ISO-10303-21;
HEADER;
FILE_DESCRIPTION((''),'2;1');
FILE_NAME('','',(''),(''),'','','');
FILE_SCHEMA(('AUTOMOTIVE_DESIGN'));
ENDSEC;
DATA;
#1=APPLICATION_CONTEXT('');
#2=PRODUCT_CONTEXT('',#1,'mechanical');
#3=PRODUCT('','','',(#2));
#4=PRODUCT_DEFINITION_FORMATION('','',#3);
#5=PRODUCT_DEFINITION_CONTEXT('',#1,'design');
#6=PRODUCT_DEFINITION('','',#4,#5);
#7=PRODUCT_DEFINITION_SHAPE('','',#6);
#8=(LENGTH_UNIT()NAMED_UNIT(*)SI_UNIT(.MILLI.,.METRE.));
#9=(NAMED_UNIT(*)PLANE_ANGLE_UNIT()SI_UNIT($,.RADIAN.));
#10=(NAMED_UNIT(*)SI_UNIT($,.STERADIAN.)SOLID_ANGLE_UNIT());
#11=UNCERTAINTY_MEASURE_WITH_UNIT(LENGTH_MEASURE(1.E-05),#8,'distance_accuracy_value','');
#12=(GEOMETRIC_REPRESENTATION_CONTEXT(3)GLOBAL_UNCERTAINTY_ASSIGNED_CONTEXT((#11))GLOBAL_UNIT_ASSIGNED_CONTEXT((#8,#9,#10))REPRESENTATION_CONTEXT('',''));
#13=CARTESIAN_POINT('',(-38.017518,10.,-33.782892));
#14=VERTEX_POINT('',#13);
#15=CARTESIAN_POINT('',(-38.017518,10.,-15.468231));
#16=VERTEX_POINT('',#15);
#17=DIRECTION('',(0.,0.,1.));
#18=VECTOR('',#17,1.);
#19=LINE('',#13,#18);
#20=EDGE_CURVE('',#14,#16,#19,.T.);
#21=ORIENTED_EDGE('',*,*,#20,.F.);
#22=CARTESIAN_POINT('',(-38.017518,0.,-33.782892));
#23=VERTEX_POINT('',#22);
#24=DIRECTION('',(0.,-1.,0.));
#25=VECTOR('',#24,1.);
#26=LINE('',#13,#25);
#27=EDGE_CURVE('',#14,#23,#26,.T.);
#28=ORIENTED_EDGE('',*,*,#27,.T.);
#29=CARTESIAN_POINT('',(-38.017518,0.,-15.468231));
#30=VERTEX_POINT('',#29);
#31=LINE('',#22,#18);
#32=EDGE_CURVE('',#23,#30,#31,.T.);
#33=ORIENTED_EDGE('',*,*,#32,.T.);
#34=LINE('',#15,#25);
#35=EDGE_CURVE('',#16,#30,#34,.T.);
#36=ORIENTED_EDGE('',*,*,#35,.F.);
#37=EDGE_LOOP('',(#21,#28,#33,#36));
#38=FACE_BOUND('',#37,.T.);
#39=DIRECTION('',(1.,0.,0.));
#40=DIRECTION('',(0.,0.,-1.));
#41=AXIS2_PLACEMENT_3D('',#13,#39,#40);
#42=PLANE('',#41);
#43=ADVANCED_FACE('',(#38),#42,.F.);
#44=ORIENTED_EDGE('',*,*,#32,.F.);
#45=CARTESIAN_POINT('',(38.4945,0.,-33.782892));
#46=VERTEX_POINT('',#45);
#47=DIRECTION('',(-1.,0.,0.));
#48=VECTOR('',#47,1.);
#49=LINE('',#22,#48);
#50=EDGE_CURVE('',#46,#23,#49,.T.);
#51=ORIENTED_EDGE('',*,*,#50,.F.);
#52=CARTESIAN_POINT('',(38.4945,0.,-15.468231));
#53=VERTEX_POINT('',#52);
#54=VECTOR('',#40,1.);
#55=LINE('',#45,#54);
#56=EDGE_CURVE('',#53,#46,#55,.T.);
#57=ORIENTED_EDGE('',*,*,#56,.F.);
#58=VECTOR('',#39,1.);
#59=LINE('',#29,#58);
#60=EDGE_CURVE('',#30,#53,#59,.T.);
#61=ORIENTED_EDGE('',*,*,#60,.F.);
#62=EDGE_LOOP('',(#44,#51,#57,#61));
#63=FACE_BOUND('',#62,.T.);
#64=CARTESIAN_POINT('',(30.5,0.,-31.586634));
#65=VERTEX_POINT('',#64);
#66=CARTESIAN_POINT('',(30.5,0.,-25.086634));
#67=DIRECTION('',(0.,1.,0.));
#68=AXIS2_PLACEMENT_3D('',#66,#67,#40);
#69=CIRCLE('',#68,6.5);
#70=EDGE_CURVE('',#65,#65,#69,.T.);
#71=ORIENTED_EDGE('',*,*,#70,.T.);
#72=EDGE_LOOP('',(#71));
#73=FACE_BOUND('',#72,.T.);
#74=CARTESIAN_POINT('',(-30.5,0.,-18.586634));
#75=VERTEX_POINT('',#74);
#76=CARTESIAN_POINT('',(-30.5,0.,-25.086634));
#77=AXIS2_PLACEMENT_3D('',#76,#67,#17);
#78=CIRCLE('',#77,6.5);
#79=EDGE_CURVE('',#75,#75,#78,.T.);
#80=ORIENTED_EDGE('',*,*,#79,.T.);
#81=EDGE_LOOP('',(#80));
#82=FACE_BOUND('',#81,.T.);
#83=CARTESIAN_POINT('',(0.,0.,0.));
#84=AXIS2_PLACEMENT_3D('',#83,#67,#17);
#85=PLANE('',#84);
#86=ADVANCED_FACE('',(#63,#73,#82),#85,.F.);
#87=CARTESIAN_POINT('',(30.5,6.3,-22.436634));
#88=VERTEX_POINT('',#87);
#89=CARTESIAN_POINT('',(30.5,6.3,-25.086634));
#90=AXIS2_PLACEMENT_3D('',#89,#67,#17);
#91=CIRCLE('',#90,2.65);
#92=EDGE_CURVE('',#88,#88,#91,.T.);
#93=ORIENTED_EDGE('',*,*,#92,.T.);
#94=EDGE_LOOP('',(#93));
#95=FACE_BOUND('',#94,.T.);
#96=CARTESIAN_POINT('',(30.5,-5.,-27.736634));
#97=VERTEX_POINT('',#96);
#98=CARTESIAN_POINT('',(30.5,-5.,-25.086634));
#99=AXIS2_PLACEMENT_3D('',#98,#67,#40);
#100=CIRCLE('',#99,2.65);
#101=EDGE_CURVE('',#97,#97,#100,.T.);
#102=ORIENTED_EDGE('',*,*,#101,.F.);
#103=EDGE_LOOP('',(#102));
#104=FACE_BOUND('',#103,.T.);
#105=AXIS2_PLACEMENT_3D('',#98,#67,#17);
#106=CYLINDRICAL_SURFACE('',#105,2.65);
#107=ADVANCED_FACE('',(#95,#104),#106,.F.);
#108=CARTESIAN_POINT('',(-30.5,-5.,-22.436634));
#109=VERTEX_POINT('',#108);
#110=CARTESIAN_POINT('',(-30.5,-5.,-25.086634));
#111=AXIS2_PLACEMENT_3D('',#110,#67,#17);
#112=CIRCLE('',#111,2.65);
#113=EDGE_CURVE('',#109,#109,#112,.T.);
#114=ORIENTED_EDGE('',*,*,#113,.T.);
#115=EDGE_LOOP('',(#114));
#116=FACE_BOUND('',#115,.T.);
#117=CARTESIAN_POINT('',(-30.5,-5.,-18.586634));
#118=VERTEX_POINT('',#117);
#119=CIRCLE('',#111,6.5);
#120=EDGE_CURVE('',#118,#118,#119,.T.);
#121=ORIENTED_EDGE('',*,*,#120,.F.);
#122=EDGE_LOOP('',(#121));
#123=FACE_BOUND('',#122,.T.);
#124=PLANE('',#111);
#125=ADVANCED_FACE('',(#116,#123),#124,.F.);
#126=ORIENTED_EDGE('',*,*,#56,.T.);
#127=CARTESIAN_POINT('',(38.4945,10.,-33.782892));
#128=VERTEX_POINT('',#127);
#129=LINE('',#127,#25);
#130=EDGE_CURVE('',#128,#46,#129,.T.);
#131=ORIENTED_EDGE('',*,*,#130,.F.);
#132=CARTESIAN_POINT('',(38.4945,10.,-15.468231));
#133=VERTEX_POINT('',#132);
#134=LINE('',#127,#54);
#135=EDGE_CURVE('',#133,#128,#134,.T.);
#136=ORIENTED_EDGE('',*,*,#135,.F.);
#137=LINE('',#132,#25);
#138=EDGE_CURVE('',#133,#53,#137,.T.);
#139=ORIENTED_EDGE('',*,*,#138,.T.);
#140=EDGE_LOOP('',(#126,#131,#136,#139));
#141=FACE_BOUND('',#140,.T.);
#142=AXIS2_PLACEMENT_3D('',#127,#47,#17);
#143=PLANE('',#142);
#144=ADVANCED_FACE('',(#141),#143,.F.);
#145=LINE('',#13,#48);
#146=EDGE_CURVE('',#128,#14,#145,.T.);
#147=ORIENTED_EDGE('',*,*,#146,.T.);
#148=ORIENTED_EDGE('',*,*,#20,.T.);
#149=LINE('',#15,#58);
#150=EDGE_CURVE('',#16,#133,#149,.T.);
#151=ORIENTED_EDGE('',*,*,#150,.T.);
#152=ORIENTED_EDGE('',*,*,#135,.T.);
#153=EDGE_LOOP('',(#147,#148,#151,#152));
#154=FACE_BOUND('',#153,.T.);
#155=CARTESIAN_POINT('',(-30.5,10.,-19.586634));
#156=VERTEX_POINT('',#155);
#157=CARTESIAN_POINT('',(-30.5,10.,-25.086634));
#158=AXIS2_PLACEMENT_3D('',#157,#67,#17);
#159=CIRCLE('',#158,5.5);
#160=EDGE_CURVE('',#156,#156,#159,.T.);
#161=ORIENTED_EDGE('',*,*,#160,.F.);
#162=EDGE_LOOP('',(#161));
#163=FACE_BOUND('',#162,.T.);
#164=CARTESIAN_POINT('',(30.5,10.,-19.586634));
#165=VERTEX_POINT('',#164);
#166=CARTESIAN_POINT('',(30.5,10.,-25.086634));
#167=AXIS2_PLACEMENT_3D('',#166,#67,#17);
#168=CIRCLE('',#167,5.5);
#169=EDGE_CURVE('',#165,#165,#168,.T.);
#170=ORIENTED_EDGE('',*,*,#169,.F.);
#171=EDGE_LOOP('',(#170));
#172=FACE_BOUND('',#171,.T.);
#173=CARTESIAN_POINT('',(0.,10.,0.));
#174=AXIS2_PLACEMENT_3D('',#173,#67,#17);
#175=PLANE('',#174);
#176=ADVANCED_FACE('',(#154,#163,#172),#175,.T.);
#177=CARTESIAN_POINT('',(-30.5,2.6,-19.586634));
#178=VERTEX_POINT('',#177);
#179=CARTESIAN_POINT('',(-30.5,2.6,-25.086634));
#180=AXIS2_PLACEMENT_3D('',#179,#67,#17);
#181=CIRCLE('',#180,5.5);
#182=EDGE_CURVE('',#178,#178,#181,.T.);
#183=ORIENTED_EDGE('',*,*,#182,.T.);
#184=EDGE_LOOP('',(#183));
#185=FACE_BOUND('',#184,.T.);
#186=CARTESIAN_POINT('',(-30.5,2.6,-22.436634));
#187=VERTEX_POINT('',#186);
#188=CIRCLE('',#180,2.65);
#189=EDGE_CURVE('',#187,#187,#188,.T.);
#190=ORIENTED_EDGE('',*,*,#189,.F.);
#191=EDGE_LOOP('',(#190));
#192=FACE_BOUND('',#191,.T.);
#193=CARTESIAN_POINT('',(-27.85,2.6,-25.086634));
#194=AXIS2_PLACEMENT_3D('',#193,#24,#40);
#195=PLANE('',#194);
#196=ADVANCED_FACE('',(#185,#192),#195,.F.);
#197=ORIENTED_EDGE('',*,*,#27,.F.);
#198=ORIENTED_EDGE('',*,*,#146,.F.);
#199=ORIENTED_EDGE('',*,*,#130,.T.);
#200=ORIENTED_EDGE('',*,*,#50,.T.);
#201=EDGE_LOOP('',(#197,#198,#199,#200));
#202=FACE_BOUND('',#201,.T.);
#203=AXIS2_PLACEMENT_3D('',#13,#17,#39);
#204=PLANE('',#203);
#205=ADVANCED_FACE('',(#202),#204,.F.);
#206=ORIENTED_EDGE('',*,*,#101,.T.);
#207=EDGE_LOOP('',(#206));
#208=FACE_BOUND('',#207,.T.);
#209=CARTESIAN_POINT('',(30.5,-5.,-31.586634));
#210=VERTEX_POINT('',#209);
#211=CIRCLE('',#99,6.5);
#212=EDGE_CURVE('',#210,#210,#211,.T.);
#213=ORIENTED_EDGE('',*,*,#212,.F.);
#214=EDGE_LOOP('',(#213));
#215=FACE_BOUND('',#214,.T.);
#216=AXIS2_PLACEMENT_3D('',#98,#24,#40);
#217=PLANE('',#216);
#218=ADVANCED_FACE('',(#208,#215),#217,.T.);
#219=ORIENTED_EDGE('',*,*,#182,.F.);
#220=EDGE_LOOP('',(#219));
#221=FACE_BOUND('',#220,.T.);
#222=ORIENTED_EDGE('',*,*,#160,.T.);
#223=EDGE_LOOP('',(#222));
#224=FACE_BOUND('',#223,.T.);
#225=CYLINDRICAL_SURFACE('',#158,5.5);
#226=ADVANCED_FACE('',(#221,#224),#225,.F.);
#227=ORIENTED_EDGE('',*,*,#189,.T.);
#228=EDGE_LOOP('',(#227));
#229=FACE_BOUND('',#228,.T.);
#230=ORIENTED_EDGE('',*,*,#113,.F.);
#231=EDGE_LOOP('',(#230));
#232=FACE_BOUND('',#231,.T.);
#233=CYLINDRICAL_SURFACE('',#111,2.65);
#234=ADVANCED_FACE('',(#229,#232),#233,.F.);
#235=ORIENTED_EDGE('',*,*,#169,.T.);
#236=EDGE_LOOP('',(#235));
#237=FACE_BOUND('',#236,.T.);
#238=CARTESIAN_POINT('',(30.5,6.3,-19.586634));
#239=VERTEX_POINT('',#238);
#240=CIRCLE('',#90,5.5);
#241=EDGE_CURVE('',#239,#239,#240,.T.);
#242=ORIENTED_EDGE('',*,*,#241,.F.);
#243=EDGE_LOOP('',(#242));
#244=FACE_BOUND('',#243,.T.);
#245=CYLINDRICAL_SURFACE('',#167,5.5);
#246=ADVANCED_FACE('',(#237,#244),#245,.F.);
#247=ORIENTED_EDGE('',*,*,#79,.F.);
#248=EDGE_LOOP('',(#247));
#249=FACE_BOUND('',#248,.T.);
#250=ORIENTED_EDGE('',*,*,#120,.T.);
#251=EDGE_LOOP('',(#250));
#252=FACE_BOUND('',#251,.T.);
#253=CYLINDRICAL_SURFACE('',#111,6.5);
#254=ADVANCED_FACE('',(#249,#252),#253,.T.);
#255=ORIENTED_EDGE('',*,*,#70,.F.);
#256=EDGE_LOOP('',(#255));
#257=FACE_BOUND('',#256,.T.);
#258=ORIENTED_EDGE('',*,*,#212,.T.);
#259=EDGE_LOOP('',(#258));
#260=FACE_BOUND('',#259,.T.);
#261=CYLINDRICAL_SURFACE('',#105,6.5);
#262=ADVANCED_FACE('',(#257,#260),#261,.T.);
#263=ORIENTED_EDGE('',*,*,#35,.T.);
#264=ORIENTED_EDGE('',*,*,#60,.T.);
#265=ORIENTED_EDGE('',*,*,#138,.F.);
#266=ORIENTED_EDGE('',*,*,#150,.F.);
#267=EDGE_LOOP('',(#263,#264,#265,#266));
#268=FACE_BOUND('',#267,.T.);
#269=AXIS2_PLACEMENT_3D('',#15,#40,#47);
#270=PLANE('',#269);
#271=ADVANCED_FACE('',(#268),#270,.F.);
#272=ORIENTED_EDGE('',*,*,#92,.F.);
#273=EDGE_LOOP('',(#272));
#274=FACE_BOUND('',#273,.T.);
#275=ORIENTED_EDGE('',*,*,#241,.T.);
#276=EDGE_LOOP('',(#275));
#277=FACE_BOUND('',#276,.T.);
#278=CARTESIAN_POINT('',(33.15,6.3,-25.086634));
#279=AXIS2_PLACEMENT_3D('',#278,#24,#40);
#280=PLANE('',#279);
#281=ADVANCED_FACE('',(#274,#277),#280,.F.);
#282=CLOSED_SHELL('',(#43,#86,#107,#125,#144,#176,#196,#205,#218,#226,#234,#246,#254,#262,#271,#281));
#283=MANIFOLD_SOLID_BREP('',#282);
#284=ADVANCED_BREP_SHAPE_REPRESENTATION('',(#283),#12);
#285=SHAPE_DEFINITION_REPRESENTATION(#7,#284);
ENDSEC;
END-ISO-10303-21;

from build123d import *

# Parameters (mm, degrees)
CROQUIS2_W                                           = 76.512018684
CROQUIS2_H                                           = 18.314660831
SALIENTE_EXTRUIR1_DEPTH                              = 10
CROQUIS1_R                                           = 6.5
CROQUIS1_R_2                                         = 2.65
SALIENTE_EXTRUIR2_DEPTH                              = 5
CORTAR_EXTRUIR1_DEPTH                                = 31
CORTAR_EXTRUIR1_DEPTH_BACK                           = 50
CROQUIS4_R                                           = 2.5
REFRENTADO_PARA_TORNILLO_CON_CABEZA_TRON_D           = 5.3
REFRENTADO_PARA_TORNILLO_CON_CABEZA_TRON_CBORE_D     = 11
REFRENTADO_PARA_TORNILLO_CON_CABEZA_TRON_CBORE_DEPTH = 3.7
REFRENTADO_PARA_TORNILLO_CON_CABEZA_2_D              = 5.3
REFRENTADO_PARA_TORNILLO_CON_CABEZA_2_CBORE_D        = 11
REFRENTADO_PARA_TORNILLO_CON_CABEZA_2_CBORE_DEPTH    = 3.7
REFRENTADO_PARA_TORNILLO_CON_CABEZA_3_D              = 5.3
REFRENTADO_PARA_TORNILLO_CON_CABEZA_3_CBORE_D        = 11
REFRENTADO_PARA_TORNILLO_CON_CABEZA_3_CBORE_DEPTH    = 3.7


with BuildPart() as part:
    # Croquis2 → Saliente-Extruir1 (new body)
    with BuildSketch(Plane(origin=(0, 0, 0), x_dir=(1, 0, 0), z_dir=(0, 1, 0))):
        with Locations((0.23849107, 24.625561378)):
            Rectangle(CROQUIS2_W, CROQUIS2_H)
    extrude(amount=SALIENTE_EXTRUIR1_DEPTH)

    # Croquis1 → Saliente-Extruir2 (add)
    # profile 1 of 2: a face of its own
    with BuildSketch(Plane(origin=(0, 0, 0), x_dir=(1, 0, 0), z_dir=(0, 1, 0))):
        with Locations(Location((-30.5, 25.086633895, 0), (0, 0, 270))):
            Circle(CROQUIS1_R)
        with Locations(Location((-30.5, 25.086633895, 0), (0, 0, 270))):
            Circle(CROQUIS1_R_2, mode=Mode.SUBTRACT)
    # profile 2 of 2: a face of its own
    with BuildSketch(Plane(origin=(0, 0, 0), x_dir=(1, 0, 0), z_dir=(0, 1, 0))):
        with Locations(Location((30.5, 25.086633895, 0), (0, 0, 90))):
            Circle(CROQUIS1_R)
        with Locations(Location((30.5, 25.086633895, 0), (0, 0, 270))):
            Circle(CROQUIS1_R_2, mode=Mode.SUBTRACT)
    extrude(amount=-SALIENTE_EXTRUIR2_DEPTH)

    # Croquis4 → Cortar-Extruir1 (cut, two sides: drawn at the far end of the back side and taken through both)
    with BuildSketch(Plane.XZ.offset(-CORTAR_EXTRUIR1_DEPTH_BACK)):
        with Locations(Location((-30.5, -25.086633895, 0), (0, 0, 90))):
            Circle(CROQUIS4_R)
        with Locations(Location((30.5, -25.086633895, 0), (0, 0, 90))):
            Circle(CROQUIS4_R)
    extrude(amount=CORTAR_EXTRUIR1_DEPTH + CORTAR_EXTRUIR1_DEPTH_BACK, mode=Mode.SUBTRACT)

    # Refrentado para tornillo con cabeza tron (through all)
    with Locations(Plane(origin=(-30.5, 10, -25.086633895), x_dir=(0, 0, 1), z_dir=(0, 1, 0))):
        with Locations((0, 0)):
            CounterBoreHole(REFRENTADO_PARA_TORNILLO_CON_CABEZA_TRON_D / 2, REFRENTADO_PARA_TORNILLO_CON_CABEZA_TRON_CBORE_D / 2, REFRENTADO_PARA_TORNILLO_CON_CABEZA_TRON_CBORE_DEPTH)

    # Refrentado para tornillo con cabeza  2 (through all)
    with Locations(Plane(origin=(-30.5, 6.3, -25.086633895), x_dir=(0, 0, 1), z_dir=(0, 1, 0))):
        with Locations((0, 0)):
            CounterBoreHole(REFRENTADO_PARA_TORNILLO_CON_CABEZA_2_D / 2, REFRENTADO_PARA_TORNILLO_CON_CABEZA_2_CBORE_D / 2, REFRENTADO_PARA_TORNILLO_CON_CABEZA_2_CBORE_DEPTH)

    # Refrentado para tornillo con cabeza  3 (through all)
    with Locations(Plane(origin=(30.5, 10, -25.086633895), x_dir=(0, 0, 1), z_dir=(0, 1, 0))):
        with Locations((0, 0)):
            CounterBoreHole(REFRENTADO_PARA_TORNILLO_CON_CABEZA_3_D / 2, REFRENTADO_PARA_TORNILLO_CON_CABEZA_3_CBORE_D / 2, REFRENTADO_PARA_TORNILLO_CON_CABEZA_3_CBORE_DEPTH)


solid = part.part
